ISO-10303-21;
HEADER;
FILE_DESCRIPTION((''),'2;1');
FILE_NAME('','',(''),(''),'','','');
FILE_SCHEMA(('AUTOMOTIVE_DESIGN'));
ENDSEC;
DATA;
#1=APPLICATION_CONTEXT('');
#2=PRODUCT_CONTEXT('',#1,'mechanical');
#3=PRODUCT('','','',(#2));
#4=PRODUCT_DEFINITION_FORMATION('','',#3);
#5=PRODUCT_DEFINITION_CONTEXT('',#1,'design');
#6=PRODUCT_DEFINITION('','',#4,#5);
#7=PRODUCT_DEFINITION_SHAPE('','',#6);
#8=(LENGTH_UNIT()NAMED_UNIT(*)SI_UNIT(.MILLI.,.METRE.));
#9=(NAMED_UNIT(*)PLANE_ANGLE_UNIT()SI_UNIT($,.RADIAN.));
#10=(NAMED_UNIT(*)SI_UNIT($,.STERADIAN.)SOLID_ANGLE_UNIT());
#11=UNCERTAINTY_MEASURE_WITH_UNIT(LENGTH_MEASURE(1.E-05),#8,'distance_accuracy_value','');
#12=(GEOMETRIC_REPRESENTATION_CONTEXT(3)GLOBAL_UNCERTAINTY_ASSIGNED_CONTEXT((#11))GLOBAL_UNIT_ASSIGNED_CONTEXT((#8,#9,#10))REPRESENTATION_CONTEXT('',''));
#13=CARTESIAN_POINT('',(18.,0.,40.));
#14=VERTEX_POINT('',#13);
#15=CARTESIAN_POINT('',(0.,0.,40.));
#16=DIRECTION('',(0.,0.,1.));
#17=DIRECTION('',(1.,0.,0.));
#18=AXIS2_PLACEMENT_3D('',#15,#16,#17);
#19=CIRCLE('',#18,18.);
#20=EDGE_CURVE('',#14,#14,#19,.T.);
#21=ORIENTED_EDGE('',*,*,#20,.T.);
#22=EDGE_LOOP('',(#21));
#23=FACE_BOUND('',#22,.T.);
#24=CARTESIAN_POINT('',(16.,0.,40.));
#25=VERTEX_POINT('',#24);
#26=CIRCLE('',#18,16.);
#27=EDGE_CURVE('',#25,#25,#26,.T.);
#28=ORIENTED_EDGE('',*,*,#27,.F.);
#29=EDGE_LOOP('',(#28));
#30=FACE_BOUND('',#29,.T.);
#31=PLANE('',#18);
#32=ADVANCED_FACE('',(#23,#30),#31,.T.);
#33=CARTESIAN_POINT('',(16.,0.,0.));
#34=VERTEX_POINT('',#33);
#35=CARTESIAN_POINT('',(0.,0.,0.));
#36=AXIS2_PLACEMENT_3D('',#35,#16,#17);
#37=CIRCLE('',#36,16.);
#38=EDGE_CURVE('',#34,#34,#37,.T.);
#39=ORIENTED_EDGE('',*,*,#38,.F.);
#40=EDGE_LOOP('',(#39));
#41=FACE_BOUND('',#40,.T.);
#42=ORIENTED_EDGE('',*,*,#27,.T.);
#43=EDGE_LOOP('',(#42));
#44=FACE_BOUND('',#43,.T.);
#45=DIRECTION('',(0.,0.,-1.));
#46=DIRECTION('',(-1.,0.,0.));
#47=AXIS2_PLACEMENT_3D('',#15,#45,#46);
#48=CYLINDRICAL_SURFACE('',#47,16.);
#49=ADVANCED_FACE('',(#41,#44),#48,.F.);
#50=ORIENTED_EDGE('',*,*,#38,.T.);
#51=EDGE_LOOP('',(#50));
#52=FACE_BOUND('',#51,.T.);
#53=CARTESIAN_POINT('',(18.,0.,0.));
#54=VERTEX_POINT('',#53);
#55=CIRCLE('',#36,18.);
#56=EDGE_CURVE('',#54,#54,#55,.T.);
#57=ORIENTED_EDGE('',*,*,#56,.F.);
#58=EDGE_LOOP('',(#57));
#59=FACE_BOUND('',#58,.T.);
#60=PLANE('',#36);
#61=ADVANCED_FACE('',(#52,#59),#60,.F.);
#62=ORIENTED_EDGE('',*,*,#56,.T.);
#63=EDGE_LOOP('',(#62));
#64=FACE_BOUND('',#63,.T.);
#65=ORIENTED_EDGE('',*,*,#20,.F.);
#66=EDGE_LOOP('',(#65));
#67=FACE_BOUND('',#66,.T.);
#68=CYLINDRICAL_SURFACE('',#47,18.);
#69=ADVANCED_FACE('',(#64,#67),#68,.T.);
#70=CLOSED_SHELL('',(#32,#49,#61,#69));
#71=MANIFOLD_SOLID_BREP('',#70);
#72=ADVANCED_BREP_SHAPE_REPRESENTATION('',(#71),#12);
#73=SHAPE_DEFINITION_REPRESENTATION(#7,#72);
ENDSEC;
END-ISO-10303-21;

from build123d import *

# Parameters (mm, degrees)
IZIM2_R                     = 18
IZIM2_R_2                   = 16
Y_KSEKLIK_EKSTR_ZYON1_DEPTH = 40


with BuildPart() as part:
    # Çizim2 → Yükseklik-Ekstrüzyon1 (new body)
    with BuildSketch(Plane.XY):
        Circle(IZIM2_R)
        Circle(IZIM2_R_2, mode=Mode.SUBTRACT)
    extrude(amount=Y_KSEKLIK_EKSTR_ZYON1_DEPTH)


solid = part.part
